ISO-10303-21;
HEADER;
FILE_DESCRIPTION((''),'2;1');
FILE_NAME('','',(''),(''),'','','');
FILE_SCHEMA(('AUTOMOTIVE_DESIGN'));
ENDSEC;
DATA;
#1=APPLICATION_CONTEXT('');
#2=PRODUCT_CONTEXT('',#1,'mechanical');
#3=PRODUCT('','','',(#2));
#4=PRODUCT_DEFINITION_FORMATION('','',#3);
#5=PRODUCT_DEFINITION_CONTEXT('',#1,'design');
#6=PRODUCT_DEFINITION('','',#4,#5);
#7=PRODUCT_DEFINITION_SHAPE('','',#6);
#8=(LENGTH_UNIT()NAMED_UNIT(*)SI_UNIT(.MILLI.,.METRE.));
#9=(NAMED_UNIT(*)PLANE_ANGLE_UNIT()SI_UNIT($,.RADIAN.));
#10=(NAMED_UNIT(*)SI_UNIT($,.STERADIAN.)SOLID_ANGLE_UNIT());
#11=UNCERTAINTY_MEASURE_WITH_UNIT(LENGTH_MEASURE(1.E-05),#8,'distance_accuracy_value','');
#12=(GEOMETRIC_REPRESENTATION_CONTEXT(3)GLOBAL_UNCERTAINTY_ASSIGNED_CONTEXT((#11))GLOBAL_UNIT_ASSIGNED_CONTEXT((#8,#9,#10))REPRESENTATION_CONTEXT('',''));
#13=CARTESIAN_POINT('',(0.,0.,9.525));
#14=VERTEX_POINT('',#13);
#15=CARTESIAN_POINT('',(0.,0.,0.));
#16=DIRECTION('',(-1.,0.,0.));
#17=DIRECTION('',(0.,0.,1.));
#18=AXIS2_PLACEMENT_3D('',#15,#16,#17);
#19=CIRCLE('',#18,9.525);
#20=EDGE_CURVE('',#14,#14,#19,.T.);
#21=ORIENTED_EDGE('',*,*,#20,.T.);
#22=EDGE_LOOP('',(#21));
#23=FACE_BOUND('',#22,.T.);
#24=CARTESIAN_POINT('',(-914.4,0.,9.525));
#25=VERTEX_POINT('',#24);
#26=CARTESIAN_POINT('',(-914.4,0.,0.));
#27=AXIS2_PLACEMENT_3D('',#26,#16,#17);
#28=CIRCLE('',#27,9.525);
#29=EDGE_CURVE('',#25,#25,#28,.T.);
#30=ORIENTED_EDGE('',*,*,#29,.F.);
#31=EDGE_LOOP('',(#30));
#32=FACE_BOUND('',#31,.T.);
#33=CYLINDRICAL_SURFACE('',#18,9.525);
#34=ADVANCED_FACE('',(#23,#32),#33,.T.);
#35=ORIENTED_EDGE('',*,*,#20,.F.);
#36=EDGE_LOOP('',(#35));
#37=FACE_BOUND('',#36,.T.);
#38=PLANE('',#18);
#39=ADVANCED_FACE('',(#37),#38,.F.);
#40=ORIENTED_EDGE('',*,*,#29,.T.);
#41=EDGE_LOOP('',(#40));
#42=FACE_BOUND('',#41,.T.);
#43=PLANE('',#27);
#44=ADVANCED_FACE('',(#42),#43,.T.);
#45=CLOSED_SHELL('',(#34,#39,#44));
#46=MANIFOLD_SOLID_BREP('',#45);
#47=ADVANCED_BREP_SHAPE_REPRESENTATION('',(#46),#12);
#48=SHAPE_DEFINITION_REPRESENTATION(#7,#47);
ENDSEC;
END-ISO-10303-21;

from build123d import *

# Parameters (mm, degrees)
SWEEP1_PROFILE_R = 9.525


with BuildPart() as part:
    # Sweep1: sweep along a path in Sketch1
    with BuildLine(Plane(origin=(0, 0, 0), x_dir=(1, 0, 0), z_dir=(0, 1, 0))) as sweep1_path:
        Line((0, 0), (-914.4, 0))
    # Sweep1 profile (on start of the path) → Sweep1 (sweep)
    with BuildSketch(Plane(origin=(0, 0, 0), x_dir=(0, 0, -1), z_dir=(-1, 0, 0))):
        Circle(SWEEP1_PROFILE_R)
    sweep(path=sweep1_path.line)


solid = part.part
